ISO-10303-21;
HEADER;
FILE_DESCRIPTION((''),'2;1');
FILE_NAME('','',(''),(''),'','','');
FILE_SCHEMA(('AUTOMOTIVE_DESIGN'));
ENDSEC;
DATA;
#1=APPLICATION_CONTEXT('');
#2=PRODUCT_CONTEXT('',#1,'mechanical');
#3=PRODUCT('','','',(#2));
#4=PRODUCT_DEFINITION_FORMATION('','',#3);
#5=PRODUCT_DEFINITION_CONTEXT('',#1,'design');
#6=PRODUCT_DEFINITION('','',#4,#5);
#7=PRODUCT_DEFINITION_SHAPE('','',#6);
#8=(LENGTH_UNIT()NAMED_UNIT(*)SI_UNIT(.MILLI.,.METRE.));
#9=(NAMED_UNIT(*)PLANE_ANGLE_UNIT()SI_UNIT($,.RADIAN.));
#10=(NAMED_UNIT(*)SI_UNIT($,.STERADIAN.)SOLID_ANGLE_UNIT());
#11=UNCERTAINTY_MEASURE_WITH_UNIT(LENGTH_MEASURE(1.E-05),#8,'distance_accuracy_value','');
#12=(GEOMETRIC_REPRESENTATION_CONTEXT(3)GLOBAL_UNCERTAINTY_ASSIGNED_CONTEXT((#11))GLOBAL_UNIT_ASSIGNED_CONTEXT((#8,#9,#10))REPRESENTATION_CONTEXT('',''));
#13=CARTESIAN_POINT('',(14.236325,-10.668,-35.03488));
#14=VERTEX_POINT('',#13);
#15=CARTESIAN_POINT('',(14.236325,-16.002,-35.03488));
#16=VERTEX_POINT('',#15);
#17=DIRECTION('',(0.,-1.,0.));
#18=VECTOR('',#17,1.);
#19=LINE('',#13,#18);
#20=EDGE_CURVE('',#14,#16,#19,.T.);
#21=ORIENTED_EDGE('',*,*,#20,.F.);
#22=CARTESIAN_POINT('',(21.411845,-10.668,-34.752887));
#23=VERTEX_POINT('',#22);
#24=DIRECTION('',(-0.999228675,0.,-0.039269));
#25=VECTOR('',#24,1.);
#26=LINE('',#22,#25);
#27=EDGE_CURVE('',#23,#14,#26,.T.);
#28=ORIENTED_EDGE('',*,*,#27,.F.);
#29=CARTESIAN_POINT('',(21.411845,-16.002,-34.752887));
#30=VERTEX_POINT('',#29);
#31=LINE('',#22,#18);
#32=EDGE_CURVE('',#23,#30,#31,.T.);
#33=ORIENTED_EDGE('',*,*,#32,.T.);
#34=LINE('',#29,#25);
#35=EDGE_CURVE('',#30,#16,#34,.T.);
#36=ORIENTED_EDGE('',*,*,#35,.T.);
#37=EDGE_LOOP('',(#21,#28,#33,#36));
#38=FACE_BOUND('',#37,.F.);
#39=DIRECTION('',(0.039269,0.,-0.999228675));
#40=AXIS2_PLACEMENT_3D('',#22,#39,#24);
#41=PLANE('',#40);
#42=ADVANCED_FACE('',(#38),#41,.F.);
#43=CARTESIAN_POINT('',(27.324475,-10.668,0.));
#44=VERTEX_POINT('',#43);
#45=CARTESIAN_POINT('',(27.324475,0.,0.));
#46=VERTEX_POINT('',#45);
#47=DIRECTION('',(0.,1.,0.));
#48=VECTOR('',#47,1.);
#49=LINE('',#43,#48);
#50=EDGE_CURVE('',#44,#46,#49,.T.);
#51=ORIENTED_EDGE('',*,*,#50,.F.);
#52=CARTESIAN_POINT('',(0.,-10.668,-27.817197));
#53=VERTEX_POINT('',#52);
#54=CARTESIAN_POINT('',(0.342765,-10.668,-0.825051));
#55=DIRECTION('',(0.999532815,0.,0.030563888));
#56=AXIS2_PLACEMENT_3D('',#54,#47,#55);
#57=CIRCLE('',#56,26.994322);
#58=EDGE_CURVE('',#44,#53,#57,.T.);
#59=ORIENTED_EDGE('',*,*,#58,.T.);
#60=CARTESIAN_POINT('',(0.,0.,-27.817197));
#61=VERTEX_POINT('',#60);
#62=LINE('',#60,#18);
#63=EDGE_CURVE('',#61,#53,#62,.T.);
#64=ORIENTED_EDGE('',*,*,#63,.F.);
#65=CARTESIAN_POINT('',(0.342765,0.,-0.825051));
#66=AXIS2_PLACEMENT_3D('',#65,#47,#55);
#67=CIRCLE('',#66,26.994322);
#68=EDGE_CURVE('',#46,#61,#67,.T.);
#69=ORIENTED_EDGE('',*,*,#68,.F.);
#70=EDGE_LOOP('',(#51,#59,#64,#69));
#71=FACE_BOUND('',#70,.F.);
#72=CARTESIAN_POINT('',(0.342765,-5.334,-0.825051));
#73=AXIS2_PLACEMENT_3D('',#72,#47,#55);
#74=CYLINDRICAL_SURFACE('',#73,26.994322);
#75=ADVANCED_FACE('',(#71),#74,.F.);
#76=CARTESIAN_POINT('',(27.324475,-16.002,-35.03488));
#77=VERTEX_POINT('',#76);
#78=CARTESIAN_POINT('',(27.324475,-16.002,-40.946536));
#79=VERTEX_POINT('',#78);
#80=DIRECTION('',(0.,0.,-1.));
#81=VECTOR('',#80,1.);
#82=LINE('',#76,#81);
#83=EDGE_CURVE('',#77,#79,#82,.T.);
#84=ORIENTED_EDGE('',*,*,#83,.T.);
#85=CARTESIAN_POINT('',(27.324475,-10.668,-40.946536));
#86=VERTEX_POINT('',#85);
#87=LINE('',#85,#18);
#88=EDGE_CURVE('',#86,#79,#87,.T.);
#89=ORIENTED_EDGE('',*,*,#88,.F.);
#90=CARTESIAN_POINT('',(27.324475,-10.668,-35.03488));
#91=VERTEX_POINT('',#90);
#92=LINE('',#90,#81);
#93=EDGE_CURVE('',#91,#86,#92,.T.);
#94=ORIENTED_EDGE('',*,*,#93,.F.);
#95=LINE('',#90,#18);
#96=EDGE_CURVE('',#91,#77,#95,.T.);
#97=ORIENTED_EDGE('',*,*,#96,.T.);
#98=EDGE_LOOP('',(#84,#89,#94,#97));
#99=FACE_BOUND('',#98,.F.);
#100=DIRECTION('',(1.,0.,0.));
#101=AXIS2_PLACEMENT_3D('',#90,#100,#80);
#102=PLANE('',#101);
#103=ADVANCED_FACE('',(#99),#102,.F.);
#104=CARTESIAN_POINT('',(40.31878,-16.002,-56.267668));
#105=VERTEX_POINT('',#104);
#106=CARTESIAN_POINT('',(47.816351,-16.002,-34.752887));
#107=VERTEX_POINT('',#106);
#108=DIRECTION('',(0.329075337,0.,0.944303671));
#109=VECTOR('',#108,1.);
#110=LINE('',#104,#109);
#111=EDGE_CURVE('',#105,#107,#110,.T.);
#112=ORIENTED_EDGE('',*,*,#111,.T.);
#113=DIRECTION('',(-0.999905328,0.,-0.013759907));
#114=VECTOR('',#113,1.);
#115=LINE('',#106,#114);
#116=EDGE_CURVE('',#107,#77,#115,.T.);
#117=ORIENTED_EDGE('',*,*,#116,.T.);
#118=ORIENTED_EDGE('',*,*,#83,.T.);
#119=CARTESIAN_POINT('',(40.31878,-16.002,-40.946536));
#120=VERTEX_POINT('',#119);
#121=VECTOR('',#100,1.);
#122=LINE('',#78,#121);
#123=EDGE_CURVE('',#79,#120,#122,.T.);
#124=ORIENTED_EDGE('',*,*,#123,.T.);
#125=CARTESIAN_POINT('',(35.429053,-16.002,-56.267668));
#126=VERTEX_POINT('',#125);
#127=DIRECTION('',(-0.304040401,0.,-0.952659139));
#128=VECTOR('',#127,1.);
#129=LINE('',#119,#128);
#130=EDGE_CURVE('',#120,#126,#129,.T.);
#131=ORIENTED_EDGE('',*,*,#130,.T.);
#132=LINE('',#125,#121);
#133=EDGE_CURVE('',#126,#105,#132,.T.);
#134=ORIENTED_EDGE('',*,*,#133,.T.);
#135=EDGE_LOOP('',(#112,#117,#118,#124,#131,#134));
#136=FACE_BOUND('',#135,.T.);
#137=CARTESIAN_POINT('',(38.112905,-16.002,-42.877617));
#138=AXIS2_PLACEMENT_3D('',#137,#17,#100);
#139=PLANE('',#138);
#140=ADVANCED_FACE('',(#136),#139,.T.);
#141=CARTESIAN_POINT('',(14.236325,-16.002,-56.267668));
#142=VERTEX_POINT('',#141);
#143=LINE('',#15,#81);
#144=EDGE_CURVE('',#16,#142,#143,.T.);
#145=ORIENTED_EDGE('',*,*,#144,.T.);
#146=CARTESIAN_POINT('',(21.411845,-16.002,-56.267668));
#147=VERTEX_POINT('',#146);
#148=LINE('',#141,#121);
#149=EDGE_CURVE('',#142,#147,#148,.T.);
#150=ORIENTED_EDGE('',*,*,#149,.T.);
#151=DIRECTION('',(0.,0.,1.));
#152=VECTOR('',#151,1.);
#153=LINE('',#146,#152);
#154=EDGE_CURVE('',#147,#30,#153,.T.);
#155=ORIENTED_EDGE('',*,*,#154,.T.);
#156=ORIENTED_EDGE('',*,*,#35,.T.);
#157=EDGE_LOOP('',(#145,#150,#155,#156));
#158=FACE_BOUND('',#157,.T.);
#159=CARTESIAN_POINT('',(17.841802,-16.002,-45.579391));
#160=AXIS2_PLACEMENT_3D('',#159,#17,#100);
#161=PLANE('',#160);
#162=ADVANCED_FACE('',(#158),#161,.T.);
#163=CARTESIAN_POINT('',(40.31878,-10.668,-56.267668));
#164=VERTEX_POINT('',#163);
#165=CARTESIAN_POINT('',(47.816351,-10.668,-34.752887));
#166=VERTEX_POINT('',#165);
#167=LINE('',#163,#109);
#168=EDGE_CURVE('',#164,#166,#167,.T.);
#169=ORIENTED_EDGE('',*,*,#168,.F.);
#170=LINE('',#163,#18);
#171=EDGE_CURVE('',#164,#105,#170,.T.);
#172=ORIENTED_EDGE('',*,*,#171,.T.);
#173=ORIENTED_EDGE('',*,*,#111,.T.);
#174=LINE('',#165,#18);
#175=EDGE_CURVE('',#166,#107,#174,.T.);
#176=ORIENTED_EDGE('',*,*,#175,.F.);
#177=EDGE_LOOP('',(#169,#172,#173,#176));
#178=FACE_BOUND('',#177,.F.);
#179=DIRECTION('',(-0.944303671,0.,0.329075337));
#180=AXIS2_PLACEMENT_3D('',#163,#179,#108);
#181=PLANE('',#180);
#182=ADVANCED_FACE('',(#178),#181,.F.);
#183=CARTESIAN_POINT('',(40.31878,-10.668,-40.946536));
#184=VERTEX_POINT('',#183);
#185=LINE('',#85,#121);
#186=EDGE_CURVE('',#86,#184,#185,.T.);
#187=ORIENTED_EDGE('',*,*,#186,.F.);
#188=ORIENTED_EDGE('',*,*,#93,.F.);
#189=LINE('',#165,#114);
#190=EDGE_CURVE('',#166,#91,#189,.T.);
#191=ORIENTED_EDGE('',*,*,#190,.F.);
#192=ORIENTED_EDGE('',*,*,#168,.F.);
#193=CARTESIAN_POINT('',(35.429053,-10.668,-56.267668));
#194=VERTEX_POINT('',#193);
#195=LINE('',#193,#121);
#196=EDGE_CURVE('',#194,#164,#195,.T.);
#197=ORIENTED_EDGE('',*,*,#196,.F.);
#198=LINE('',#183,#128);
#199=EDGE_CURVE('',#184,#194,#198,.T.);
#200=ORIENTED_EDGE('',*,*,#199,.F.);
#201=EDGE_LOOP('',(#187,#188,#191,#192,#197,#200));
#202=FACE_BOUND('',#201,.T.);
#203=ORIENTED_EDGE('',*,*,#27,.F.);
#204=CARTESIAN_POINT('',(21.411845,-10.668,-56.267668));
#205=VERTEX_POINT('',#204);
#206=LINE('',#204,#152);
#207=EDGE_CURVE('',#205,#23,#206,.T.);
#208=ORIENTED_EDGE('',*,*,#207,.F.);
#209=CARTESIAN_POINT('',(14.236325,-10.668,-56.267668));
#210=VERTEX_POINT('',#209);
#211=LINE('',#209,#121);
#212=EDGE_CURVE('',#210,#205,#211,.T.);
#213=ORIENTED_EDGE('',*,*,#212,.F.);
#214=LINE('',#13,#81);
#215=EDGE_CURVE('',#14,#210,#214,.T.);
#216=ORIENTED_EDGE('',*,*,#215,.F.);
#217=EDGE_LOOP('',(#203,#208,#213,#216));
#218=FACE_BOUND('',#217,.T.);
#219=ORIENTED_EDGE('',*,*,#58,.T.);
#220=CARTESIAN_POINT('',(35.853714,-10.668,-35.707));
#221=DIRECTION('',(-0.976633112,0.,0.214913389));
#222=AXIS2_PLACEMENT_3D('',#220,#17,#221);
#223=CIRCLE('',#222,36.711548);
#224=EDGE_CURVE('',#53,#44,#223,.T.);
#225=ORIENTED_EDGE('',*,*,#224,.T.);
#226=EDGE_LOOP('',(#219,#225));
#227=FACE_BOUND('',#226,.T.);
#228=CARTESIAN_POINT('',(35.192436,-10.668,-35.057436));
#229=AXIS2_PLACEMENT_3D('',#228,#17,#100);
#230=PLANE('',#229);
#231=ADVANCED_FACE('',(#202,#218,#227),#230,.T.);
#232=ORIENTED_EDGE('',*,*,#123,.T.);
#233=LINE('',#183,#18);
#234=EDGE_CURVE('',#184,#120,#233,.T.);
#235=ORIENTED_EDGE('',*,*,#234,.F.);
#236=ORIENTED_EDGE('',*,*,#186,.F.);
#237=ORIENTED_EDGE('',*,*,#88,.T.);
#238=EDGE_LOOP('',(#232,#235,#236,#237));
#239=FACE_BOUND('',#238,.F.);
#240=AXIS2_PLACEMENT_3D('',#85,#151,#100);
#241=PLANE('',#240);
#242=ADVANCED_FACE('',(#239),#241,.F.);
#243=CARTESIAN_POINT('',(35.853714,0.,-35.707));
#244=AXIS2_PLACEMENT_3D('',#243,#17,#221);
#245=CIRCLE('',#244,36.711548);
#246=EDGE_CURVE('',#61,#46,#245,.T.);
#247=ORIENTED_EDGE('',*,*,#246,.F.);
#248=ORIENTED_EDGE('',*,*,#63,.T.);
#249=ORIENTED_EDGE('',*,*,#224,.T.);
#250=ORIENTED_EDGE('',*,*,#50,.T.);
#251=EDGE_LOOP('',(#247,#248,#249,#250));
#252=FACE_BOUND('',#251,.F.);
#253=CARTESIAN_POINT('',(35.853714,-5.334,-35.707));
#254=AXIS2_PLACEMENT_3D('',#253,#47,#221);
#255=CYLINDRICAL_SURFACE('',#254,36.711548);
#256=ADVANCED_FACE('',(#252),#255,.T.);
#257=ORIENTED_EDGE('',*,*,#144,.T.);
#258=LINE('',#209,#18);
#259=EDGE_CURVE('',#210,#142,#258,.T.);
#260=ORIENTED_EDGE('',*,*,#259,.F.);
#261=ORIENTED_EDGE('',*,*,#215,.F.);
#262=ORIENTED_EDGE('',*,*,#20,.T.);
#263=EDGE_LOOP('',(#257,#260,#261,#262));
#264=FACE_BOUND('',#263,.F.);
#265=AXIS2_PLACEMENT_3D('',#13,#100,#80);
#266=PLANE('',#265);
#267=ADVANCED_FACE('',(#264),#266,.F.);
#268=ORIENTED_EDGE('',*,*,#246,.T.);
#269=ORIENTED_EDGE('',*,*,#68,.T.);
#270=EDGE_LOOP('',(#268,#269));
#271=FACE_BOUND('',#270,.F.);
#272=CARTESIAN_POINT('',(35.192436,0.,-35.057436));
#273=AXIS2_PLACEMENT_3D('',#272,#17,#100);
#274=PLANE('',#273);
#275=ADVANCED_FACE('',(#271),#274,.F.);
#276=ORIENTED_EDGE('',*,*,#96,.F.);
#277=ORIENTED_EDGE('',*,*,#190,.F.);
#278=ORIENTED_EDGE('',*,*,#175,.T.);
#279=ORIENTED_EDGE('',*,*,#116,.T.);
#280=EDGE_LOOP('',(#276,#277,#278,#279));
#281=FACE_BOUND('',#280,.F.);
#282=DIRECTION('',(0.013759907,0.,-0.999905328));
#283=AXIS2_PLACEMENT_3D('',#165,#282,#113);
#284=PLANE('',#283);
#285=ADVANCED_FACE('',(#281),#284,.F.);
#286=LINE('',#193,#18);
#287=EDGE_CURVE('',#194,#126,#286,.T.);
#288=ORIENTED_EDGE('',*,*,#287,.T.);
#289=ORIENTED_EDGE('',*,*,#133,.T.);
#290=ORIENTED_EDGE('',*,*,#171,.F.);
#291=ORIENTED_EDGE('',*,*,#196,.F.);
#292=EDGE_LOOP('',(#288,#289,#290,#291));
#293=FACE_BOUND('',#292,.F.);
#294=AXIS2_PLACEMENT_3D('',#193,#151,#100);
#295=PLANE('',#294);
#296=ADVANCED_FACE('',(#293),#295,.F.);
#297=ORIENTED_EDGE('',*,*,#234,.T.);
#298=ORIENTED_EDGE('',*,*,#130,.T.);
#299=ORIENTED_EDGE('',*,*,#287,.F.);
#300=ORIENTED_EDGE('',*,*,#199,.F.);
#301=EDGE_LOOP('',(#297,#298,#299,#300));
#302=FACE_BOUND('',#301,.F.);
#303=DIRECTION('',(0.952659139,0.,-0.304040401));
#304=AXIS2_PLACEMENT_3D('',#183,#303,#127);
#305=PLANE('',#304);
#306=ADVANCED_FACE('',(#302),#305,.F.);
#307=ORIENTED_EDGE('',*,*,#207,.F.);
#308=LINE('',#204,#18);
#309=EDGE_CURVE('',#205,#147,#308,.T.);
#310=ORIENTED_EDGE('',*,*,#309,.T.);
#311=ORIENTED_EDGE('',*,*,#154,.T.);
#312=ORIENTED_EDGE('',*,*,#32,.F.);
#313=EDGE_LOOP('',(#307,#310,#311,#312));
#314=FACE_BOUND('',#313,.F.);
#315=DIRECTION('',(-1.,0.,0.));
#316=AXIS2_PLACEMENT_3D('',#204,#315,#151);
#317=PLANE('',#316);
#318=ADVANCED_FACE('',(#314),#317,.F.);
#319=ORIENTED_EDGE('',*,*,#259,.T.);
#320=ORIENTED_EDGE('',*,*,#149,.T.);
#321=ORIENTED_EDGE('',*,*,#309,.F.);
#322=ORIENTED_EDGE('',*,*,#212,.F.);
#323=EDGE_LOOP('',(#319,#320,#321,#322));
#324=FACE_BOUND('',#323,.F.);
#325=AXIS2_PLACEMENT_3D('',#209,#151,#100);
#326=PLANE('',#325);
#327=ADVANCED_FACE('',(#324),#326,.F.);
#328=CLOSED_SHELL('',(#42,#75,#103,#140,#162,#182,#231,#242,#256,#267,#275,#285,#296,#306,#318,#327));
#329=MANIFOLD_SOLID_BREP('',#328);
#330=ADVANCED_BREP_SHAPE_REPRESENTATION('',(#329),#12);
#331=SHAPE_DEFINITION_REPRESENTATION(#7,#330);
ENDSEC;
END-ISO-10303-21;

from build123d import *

# Parameters (mm, degrees)
F1_DEPTH = 5.334
F2_DEPTH = 5.334
F4_DEPTH = 5.334


with BuildPart() as f1:
    # F0 (on Front) → F1 (new body)
    with BuildSketch(Plane.XZ):
        with BuildLine():
            ThreePointArc((27.324475, 0), (19.600425, -19.741603), (0, -27.817197))
            ThreePointArc((0, -27.817197), (62.043611, -61.433), (27.324475, 0))
        make_face()
    extrude(amount=F1_DEPTH)

    # F1_face (on face) → F2 (join)
    with BuildSketch(Plane(origin=(37.914112, -5.334, -37.730903), x_dir=(1, 0, 0), z_dir=(0, -1, 0))):
        with BuildLine():
            ThreePointArc((-10.589637, 37.730903), (-18.313687, 17.9893), (-37.914112, 9.913706))
            ThreePointArc((-37.914112, 9.913706), (24.129499, -23.702097), (-10.589637, 37.730903))
        make_face()
    extrude(amount=F2_DEPTH)

    # F3 (on face) → F4 (join)
    with BuildSketch(Plane.XZ.offset(10.668)):
        Polygon((47.816351, -34.752887), (27.324475, -35.03488), (27.324475, -40.946536), (40.31878, -40.946536), (35.429053, -56.267668), (40.31878, -56.267668), align=None)
        Polygon((21.411845, -34.752887), (14.236325, -35.03488), (14.236325, -56.267668), (21.411845, -56.267668), align=None)
    extrude(amount=F4_DEPTH)


solid = f1.part
